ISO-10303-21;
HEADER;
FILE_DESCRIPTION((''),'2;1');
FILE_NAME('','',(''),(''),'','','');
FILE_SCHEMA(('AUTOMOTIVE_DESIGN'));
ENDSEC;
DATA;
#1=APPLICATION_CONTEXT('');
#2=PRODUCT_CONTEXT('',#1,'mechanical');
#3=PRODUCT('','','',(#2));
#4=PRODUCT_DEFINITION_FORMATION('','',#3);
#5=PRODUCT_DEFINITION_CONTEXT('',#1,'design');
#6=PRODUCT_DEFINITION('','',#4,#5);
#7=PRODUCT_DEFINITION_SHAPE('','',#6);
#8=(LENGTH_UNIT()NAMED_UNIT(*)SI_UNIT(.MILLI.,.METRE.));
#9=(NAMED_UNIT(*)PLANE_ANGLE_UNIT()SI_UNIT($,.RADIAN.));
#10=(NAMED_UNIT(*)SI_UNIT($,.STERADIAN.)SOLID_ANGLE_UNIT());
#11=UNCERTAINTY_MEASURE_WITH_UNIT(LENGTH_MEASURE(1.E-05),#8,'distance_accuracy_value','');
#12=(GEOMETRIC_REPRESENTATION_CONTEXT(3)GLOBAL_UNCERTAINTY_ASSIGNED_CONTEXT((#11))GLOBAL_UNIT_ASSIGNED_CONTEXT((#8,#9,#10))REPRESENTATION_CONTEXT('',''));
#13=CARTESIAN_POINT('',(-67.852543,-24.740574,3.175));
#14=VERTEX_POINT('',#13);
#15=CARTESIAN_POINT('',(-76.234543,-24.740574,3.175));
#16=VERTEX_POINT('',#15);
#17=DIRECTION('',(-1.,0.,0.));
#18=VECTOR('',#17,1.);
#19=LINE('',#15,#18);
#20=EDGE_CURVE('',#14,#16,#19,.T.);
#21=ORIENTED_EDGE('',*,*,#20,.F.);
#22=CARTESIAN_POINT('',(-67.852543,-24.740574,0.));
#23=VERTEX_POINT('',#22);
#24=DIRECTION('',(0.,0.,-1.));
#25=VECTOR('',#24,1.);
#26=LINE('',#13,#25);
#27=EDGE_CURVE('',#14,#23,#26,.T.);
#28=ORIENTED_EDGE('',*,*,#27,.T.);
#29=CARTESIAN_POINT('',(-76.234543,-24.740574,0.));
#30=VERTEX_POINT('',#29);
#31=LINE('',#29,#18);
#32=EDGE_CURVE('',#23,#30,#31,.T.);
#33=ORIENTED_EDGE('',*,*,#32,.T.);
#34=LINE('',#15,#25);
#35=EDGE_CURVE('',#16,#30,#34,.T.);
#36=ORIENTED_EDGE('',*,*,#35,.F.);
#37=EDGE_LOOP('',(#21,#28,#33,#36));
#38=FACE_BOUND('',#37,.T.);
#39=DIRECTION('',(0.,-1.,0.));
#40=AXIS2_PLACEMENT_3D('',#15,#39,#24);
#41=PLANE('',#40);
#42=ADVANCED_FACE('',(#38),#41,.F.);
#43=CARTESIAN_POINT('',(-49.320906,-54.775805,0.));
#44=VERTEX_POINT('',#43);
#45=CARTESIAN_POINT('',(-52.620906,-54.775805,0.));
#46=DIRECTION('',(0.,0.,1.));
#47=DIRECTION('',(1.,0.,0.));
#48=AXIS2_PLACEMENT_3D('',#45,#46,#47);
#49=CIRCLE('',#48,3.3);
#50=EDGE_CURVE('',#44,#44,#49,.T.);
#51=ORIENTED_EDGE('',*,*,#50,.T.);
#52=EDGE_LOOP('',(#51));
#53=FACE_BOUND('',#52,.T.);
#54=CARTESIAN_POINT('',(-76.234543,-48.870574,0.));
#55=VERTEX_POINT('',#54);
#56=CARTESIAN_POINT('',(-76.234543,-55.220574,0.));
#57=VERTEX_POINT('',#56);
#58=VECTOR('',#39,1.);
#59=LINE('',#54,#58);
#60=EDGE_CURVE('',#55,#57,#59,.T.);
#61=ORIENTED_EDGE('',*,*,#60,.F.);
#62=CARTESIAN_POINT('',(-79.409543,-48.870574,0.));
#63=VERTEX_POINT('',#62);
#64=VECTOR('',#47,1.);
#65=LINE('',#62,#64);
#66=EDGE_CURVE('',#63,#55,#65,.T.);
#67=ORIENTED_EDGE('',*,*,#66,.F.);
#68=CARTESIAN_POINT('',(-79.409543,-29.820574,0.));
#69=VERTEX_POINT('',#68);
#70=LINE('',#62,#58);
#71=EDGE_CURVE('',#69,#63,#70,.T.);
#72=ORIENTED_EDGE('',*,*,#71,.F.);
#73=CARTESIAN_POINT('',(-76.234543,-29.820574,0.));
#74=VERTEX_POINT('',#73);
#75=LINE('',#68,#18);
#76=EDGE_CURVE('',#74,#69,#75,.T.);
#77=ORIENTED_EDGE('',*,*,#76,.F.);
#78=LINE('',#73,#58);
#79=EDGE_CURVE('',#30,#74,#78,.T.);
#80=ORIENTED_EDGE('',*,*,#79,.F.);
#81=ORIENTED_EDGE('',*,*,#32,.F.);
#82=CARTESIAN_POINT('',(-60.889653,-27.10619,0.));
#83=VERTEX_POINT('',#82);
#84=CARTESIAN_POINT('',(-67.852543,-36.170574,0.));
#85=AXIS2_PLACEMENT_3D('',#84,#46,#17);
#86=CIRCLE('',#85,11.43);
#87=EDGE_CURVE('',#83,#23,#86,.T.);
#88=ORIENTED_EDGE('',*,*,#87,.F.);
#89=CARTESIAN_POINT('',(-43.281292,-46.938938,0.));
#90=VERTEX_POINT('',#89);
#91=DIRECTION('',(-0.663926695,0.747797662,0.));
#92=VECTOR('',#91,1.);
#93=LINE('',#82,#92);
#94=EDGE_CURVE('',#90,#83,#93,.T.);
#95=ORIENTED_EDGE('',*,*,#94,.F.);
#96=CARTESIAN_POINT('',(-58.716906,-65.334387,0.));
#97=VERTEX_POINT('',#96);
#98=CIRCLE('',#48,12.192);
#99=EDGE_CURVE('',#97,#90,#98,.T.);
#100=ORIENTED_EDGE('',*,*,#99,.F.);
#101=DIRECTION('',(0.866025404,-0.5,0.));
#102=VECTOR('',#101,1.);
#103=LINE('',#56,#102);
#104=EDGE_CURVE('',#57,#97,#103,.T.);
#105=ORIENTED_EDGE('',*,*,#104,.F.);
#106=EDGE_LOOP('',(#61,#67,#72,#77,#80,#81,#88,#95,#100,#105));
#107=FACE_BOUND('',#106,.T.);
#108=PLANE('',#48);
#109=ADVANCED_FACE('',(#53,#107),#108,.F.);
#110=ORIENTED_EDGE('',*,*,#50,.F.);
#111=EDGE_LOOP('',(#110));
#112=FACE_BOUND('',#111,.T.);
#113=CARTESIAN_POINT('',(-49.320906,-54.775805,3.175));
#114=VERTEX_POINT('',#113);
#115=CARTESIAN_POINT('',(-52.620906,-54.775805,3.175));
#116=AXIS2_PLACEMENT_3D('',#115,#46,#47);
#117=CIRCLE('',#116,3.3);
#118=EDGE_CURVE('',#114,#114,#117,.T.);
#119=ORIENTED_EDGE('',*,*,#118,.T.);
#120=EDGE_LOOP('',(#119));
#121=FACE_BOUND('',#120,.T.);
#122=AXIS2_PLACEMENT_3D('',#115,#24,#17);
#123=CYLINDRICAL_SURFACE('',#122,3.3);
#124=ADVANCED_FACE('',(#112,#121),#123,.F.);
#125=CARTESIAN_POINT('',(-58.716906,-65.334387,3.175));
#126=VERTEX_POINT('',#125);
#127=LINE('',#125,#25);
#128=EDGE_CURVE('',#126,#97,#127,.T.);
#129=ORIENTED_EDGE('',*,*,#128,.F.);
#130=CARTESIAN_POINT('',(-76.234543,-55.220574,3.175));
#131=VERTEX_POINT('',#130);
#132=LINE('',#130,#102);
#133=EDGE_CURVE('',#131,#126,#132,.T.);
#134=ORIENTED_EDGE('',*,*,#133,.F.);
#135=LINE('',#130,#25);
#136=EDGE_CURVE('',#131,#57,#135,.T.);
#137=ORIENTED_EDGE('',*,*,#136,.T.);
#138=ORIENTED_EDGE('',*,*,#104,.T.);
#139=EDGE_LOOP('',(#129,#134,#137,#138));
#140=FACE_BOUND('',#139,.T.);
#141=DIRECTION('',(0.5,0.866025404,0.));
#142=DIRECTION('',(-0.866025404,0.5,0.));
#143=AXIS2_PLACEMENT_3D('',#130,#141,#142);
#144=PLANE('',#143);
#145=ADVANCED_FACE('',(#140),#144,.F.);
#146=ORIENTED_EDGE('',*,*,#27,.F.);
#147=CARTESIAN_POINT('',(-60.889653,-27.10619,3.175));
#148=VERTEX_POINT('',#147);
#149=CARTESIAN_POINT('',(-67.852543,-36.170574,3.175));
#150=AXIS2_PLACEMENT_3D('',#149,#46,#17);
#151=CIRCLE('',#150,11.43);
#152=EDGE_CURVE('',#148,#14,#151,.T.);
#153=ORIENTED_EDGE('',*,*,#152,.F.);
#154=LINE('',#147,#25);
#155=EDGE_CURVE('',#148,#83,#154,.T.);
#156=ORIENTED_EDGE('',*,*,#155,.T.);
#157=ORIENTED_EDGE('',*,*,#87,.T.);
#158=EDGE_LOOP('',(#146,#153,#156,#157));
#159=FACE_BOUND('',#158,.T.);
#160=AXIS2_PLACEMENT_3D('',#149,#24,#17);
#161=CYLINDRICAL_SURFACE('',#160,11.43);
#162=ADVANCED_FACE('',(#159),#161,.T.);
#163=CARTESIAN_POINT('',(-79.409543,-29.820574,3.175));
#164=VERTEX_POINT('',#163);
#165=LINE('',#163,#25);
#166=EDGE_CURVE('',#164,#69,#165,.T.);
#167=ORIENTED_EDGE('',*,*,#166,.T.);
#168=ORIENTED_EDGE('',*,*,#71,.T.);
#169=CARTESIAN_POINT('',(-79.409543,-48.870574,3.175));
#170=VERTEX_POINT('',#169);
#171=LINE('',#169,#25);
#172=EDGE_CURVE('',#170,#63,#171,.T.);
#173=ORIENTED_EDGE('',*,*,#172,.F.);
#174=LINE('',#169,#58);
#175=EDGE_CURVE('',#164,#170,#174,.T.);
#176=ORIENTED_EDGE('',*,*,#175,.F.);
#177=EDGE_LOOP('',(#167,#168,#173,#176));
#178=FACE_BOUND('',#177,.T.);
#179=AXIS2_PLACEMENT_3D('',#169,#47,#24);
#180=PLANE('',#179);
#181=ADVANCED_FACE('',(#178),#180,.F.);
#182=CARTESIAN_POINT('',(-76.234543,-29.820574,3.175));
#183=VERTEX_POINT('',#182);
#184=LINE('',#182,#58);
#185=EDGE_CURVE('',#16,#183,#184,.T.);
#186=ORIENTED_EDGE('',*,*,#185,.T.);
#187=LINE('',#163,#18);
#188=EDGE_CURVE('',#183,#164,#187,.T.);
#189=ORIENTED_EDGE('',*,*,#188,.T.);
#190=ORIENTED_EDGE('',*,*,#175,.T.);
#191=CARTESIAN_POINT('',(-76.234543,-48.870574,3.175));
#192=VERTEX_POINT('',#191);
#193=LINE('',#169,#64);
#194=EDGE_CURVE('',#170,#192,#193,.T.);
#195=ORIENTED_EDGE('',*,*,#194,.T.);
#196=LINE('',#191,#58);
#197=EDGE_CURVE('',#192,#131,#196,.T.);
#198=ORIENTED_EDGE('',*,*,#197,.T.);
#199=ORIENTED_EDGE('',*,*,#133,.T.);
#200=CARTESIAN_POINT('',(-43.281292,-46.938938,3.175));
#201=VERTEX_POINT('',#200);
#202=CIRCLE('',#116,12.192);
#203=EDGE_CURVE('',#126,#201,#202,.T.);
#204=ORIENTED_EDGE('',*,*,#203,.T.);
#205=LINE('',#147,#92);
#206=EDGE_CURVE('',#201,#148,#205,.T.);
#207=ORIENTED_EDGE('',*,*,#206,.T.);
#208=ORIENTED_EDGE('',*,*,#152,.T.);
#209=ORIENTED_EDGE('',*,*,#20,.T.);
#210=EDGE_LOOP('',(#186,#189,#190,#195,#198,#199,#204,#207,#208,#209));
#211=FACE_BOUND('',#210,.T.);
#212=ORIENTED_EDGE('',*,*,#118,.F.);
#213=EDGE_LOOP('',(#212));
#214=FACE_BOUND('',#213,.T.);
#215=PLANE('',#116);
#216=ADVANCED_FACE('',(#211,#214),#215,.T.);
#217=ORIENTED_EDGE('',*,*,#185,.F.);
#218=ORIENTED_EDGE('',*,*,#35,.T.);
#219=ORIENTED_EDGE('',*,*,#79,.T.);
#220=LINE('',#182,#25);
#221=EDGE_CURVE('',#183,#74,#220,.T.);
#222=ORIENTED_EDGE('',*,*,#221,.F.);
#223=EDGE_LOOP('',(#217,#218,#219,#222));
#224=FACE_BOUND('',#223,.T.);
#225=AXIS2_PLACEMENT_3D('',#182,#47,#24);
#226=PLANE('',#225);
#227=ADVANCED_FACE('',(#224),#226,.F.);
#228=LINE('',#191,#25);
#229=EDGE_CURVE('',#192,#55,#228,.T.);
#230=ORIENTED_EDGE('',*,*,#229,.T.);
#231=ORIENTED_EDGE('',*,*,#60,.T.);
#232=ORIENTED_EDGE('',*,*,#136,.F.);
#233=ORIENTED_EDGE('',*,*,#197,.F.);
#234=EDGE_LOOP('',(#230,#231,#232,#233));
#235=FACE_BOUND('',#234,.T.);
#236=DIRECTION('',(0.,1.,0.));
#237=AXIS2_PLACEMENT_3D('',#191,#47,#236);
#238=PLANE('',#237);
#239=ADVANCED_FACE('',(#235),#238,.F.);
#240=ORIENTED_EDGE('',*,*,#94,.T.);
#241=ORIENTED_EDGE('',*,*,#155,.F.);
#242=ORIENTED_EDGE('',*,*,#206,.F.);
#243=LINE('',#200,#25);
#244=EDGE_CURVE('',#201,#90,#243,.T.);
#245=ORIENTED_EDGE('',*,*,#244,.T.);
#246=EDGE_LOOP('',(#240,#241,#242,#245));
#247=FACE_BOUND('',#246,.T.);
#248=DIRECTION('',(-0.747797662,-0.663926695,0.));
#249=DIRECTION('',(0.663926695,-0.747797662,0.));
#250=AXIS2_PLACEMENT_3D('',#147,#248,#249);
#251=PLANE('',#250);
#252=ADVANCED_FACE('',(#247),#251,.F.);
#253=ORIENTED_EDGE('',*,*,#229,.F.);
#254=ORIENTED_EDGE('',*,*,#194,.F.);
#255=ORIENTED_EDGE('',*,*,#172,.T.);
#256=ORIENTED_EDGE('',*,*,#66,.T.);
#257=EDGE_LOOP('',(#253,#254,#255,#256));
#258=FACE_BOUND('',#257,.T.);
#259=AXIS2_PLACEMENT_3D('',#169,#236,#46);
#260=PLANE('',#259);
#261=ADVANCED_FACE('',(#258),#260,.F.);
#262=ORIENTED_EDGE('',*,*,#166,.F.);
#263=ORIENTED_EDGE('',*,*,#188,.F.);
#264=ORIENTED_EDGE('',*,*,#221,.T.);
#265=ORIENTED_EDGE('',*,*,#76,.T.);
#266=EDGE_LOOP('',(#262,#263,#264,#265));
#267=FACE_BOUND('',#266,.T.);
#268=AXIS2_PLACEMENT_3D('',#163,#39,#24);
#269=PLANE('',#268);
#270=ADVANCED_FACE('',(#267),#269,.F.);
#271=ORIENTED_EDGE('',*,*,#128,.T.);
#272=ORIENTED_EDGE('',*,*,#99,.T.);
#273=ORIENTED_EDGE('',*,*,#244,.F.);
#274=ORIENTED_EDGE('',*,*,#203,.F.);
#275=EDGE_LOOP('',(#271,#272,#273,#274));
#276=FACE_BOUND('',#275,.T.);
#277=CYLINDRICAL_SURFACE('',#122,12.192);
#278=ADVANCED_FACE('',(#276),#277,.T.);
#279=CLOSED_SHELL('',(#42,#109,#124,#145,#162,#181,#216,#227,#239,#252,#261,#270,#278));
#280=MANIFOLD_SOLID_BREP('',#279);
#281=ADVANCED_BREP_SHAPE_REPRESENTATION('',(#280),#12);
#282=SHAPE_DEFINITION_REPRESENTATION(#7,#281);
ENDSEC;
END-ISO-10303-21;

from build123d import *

# Parameters (mm, degrees)
SKETCH1_R           = 3.3
BOSS_EXTRUDE1_DEPTH = 3.175


with BuildPart() as part:
    # Sketch1 → Boss-Extrude1 (new body)
    with BuildSketch(Plane.XY):
        with BuildLine():
            Line((-79.409543338, -48.870574021), (-79.409543338, -29.820574021))
            Line((-79.409543338, -29.820574021), (-76.234543338, -29.820574021))
            Line((-76.234543338, -29.820574021), (-76.234543338, -24.740574021))
            Line((-76.234543338, -24.740574021), (-67.852543338, -24.740574021))
            ThreePointArc((-67.852543338, -24.740574021), (-64.175656813, -25.348124877), (-60.889653149, -27.10618986))
            Line((-60.889653149, -27.10618986), (-43.281292183, -46.938938374))
            ThreePointArc((-43.281292183, -46.938938374), (-43.281292183, -62.612671449), (-58.716906034, -65.334386634))
            Line((-58.716906034, -65.334386634), (-76.234543338, -55.220574021))
            Line((-76.234543338, -55.220574021), (-76.234543338, -48.870574021))
            Line((-76.234543338, -48.870574021), (-79.409543338, -48.870574021))
        make_face()
        with Locations((-52.620906034, -54.775804912)):
            Circle(SKETCH1_R, mode=Mode.SUBTRACT)
    extrude(amount=BOSS_EXTRUDE1_DEPTH)


solid = part.part
